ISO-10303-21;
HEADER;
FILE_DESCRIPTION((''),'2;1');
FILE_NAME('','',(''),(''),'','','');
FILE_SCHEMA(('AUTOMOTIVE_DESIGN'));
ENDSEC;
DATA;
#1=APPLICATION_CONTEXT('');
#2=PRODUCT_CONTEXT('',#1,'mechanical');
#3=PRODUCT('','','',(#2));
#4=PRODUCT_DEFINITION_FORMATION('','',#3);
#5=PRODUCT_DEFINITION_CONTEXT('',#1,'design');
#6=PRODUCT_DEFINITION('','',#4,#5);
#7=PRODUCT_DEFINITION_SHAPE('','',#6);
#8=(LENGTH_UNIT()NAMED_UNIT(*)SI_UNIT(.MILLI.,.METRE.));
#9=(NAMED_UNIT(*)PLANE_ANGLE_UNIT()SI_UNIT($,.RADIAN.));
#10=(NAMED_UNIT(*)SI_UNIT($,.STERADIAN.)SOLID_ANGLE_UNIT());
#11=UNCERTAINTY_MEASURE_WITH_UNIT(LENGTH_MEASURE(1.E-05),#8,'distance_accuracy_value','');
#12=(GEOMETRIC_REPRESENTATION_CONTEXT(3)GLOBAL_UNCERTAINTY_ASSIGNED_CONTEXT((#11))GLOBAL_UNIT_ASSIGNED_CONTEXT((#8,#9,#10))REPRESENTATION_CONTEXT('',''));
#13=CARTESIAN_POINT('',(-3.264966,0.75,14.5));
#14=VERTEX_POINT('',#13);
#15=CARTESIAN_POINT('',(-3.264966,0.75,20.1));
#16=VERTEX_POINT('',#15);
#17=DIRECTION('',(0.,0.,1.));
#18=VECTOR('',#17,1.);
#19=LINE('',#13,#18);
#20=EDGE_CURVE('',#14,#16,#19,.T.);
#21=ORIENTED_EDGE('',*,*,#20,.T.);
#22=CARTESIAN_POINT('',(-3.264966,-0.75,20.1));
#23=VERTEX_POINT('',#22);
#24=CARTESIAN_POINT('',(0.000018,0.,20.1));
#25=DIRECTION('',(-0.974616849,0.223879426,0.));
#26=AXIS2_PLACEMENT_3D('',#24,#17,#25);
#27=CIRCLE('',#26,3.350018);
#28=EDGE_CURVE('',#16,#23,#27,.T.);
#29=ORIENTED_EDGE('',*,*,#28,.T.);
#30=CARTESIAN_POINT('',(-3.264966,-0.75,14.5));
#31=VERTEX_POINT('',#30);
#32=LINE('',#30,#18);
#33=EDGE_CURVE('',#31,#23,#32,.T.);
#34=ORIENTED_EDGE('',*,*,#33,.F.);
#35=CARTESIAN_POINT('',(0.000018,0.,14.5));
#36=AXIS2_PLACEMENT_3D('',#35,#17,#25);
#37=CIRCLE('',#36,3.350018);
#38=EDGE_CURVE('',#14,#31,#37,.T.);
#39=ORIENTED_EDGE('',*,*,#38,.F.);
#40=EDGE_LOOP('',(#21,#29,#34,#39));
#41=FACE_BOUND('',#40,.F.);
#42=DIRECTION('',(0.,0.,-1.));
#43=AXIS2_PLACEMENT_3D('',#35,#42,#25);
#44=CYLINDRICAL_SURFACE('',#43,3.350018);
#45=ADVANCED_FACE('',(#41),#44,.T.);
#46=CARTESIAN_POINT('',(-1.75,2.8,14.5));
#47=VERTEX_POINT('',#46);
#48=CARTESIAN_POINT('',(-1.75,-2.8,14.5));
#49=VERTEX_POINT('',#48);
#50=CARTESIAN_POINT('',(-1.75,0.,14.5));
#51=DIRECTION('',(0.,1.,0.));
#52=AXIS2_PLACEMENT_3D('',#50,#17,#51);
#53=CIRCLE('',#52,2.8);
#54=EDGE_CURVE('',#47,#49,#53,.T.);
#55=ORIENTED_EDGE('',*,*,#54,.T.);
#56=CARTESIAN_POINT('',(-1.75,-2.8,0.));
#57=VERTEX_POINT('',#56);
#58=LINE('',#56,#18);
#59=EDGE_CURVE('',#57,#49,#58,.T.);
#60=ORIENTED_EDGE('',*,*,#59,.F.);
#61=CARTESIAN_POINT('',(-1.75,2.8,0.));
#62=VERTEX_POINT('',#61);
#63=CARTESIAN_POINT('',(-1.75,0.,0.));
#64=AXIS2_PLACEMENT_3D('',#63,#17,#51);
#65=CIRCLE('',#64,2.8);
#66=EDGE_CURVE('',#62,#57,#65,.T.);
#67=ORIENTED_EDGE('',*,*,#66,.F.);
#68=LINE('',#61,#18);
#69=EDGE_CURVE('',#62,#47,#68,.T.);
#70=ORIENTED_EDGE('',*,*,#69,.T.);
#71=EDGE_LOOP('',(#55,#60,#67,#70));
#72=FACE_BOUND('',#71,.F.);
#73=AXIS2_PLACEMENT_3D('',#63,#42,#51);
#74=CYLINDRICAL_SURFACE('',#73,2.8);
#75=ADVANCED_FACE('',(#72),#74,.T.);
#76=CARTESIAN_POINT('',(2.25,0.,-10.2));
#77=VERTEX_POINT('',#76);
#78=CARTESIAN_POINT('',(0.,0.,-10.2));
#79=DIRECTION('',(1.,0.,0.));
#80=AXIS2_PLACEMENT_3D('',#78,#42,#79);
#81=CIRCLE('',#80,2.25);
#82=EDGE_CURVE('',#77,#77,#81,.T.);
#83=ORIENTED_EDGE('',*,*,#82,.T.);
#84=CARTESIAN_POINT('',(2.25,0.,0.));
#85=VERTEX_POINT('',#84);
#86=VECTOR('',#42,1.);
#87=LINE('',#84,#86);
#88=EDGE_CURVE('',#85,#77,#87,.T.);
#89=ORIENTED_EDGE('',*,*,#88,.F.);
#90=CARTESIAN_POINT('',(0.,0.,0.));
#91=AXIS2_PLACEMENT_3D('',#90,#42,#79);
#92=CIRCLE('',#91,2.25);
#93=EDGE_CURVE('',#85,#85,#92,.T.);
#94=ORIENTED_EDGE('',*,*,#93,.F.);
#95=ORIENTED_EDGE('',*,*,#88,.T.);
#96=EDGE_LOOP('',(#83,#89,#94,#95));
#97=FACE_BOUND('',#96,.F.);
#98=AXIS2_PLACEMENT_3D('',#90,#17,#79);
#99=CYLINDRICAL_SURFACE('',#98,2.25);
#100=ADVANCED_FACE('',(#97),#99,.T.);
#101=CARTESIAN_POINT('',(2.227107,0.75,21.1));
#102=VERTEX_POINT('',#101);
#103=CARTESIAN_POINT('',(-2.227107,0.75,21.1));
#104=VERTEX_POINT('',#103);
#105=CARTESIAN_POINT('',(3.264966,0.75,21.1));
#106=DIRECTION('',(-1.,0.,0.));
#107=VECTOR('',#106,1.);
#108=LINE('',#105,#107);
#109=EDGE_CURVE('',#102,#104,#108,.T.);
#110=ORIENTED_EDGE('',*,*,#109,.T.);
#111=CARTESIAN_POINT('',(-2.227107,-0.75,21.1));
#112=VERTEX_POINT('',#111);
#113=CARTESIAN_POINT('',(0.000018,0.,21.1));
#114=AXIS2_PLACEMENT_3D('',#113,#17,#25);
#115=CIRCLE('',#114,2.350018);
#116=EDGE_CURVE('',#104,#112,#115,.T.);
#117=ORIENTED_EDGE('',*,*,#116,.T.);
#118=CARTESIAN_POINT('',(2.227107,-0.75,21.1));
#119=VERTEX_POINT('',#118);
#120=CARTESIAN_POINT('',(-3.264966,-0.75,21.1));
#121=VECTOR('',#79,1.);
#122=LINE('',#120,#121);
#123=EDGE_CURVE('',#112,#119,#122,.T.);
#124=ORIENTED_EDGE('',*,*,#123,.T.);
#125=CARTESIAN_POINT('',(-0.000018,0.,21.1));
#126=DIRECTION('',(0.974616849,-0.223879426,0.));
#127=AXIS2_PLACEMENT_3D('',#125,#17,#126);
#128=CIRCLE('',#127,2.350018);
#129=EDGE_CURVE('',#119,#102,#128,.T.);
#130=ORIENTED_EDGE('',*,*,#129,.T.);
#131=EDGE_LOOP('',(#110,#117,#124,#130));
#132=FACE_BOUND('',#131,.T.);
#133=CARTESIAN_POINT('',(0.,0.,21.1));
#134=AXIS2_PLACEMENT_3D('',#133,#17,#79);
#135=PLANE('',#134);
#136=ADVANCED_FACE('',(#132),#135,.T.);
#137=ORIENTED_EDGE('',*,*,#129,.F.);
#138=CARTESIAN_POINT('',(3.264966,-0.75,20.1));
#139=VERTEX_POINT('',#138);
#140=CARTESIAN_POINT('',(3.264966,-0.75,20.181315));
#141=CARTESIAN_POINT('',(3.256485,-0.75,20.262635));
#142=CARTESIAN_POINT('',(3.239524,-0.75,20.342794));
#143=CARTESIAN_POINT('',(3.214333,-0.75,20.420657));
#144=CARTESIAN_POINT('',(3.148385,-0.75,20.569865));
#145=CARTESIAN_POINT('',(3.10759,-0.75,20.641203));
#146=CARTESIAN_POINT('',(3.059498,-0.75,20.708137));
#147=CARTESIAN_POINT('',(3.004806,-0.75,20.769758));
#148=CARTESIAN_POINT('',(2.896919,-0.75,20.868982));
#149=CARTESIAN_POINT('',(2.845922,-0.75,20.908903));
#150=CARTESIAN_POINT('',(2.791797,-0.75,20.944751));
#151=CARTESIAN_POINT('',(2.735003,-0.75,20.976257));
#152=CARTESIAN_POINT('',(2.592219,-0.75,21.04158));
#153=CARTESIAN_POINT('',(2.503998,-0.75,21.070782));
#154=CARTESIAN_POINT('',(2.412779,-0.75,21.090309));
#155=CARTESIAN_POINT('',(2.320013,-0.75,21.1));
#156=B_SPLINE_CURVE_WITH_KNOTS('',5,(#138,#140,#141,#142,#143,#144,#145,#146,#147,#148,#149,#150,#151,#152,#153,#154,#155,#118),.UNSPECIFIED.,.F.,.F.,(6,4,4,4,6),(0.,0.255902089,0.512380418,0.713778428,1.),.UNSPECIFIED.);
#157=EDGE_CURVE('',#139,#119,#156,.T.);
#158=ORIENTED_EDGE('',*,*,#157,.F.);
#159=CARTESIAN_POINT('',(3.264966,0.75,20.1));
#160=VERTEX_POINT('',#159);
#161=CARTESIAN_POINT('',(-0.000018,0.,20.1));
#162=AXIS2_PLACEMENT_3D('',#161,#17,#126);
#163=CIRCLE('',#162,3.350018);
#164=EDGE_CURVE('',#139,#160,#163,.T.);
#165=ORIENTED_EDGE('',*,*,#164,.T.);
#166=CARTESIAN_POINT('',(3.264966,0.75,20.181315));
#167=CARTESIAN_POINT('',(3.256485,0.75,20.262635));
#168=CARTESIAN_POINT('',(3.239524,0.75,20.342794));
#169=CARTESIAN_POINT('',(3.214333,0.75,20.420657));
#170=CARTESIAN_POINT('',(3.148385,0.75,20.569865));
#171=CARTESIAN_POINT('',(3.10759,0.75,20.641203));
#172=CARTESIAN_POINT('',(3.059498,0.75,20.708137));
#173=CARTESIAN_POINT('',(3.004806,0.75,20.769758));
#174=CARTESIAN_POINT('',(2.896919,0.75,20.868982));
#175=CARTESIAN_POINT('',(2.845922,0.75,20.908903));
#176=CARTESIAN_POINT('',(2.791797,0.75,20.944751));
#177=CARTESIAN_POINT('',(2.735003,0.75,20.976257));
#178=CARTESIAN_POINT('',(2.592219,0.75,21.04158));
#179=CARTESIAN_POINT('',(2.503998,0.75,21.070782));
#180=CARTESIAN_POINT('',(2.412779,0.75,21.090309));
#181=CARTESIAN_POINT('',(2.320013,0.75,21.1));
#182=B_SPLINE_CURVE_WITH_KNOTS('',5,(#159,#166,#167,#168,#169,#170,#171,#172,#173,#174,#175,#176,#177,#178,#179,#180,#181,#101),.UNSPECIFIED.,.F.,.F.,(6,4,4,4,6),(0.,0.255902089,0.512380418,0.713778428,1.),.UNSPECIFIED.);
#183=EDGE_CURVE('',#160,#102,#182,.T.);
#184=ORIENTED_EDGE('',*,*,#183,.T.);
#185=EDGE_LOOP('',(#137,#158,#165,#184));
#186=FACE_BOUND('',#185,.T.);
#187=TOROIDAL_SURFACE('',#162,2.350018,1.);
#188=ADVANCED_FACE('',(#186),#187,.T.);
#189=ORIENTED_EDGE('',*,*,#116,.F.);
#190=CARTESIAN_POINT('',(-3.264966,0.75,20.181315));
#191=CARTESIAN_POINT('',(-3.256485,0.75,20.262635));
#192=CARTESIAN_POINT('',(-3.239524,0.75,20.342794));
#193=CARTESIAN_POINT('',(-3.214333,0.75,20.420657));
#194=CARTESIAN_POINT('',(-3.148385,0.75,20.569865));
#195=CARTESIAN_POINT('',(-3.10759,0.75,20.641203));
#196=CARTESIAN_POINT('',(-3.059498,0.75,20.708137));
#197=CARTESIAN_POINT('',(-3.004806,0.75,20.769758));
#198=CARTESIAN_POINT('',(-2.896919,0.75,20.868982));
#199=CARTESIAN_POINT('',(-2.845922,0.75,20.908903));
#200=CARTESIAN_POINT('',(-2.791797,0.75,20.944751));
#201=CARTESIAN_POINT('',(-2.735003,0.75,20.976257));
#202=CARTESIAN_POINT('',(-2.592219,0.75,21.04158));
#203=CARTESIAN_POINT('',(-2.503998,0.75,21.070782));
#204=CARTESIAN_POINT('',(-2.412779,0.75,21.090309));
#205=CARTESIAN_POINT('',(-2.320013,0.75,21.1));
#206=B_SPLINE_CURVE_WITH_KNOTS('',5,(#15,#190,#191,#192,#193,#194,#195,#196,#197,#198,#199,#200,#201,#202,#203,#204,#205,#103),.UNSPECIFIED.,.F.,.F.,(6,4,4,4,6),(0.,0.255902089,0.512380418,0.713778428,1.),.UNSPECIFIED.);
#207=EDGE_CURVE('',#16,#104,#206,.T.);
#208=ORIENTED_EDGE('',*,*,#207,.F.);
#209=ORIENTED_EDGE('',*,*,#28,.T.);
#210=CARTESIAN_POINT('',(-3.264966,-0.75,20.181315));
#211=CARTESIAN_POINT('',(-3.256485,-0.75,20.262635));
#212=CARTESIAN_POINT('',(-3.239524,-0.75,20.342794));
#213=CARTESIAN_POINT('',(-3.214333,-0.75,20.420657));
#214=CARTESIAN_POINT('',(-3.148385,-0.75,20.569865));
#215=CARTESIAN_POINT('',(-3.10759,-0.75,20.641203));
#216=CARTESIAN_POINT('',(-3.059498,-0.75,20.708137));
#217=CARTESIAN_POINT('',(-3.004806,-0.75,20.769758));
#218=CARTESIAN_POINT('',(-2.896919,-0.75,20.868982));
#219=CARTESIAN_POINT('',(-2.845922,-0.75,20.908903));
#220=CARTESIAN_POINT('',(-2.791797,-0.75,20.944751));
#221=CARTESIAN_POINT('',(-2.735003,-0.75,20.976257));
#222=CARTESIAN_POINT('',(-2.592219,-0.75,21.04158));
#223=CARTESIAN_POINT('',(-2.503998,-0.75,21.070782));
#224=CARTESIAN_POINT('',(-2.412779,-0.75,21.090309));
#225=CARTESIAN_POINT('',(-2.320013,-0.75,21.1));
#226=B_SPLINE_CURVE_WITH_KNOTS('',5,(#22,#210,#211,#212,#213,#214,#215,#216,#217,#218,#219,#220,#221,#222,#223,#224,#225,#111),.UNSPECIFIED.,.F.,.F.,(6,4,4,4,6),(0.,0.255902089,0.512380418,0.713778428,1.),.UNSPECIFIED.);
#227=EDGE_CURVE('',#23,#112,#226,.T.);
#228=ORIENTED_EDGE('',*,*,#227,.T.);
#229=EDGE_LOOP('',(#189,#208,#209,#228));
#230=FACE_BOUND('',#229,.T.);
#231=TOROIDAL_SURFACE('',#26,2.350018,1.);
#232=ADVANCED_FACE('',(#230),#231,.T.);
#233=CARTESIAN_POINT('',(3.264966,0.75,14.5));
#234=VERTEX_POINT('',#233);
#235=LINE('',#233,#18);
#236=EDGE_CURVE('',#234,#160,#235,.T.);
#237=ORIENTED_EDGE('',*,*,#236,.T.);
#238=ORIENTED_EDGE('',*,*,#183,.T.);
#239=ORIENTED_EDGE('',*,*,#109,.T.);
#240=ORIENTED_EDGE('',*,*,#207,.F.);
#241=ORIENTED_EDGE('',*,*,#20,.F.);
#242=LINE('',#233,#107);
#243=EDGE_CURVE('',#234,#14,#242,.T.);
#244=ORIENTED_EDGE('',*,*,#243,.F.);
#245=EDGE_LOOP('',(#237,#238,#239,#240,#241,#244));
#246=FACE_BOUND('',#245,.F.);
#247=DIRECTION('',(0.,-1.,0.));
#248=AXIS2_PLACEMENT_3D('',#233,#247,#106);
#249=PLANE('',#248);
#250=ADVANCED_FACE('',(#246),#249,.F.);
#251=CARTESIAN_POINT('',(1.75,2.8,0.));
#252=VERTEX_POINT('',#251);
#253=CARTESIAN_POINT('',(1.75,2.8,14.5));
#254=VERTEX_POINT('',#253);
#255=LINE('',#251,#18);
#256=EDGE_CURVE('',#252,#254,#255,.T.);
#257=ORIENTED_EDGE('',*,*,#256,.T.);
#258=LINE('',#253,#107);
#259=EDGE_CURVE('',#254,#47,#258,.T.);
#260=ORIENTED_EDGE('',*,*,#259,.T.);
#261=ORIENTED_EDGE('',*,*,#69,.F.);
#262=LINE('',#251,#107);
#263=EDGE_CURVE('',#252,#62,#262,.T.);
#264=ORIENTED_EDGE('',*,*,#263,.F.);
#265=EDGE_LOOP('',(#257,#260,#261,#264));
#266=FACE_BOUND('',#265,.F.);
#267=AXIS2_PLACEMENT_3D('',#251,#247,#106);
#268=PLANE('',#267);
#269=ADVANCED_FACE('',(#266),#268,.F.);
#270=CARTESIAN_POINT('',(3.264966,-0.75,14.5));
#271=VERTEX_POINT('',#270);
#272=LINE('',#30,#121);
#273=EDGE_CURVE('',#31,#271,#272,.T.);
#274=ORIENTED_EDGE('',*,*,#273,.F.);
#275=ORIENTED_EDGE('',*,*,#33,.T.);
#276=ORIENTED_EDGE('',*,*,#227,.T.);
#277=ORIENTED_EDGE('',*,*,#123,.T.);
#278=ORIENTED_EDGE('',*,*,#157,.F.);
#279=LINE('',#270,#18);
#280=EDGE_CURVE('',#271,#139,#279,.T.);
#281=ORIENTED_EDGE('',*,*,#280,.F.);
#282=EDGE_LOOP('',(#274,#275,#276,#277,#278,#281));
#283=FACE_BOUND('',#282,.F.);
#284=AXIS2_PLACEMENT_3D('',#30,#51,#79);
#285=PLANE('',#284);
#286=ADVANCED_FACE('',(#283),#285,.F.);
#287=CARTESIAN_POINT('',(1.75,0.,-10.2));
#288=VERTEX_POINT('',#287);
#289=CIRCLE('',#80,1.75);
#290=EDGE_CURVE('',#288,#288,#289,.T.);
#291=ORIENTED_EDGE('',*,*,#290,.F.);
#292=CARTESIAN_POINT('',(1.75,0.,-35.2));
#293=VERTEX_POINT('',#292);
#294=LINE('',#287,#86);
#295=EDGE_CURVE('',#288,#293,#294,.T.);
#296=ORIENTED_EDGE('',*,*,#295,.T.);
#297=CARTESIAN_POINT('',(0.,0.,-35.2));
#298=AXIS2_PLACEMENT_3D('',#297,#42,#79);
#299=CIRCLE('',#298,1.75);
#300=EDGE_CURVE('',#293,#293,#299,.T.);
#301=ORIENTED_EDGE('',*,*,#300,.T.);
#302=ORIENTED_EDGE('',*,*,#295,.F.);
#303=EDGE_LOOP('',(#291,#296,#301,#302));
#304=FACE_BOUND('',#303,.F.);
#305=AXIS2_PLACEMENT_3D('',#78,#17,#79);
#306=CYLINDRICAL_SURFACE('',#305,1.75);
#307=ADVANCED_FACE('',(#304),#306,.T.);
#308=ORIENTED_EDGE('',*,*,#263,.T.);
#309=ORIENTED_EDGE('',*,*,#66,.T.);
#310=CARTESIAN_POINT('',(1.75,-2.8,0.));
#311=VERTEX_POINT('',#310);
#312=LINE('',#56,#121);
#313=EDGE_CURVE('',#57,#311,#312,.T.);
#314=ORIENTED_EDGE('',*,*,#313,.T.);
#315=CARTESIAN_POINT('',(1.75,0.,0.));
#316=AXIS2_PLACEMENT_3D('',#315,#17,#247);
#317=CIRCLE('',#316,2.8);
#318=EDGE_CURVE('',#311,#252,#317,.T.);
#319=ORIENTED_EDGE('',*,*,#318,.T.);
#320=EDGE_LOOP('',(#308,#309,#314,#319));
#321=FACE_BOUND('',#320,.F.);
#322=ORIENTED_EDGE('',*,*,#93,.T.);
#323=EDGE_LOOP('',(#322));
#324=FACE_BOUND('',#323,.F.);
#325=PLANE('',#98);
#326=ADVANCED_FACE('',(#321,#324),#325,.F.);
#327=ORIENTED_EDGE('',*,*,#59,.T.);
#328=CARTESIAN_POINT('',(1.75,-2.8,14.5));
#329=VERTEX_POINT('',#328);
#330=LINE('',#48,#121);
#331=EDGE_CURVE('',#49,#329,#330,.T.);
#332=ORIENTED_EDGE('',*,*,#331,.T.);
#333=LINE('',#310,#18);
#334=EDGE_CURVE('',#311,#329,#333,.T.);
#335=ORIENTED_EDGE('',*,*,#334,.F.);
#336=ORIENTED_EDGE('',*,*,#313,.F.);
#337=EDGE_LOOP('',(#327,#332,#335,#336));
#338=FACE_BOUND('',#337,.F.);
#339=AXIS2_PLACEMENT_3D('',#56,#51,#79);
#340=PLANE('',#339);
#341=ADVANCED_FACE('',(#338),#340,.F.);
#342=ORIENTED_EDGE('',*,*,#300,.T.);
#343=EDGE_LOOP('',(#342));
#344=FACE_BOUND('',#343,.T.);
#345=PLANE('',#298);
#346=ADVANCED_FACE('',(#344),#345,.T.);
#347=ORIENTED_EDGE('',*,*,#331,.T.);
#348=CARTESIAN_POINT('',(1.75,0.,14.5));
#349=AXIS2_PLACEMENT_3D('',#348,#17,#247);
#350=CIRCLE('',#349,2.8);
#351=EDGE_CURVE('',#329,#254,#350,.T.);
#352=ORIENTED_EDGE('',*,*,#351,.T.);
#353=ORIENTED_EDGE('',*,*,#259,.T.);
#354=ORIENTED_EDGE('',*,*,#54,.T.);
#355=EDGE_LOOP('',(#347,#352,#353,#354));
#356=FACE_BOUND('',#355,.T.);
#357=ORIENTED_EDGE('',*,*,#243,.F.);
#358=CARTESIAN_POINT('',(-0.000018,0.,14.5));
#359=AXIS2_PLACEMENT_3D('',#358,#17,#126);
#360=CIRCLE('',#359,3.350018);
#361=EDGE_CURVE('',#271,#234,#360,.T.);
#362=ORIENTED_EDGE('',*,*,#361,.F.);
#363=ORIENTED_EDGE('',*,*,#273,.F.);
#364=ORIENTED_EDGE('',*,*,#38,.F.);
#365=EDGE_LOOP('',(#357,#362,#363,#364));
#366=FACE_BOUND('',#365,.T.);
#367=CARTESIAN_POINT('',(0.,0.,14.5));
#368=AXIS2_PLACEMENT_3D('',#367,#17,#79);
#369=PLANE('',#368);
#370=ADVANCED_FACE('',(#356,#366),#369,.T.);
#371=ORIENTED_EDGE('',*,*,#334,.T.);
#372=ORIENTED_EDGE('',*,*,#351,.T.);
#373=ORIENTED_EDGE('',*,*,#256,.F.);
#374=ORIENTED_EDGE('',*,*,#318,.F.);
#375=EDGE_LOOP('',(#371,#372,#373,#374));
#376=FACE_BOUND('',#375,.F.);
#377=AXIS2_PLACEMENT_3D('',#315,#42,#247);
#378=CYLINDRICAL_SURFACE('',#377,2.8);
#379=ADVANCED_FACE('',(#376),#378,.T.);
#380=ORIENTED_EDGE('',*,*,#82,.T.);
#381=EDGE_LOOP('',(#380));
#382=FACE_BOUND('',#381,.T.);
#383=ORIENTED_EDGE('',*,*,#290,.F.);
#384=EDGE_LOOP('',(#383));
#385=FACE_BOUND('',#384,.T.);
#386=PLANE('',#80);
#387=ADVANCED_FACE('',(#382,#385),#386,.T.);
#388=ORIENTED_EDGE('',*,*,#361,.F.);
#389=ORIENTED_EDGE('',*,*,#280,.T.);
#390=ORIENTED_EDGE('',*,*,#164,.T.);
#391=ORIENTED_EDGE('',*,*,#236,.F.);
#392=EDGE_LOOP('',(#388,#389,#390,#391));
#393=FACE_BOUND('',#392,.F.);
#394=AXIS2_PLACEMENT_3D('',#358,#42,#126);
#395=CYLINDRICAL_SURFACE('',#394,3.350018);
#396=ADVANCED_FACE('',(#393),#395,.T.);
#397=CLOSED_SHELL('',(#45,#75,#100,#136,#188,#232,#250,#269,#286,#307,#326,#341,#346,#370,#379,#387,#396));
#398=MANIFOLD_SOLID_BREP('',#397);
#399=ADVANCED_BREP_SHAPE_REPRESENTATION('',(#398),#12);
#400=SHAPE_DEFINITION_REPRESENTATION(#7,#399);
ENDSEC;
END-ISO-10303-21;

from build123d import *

# Parameters (mm, degrees)
F1_DEPTH = 14.5
F3_DEPTH = 6.6
F4_R     = 1
F5_R     = 2.25
F6_DEPTH = 10.2
F7_R     = 1.75
F8_DEPTH = 25


with BuildPart() as f1:
    # F0 (on Top) → F1 (new body)
    with BuildSketch(Plane.XY):
        with BuildLine():
            ThreePointArc((1.75, -2.8), (4.55, 0), (1.75, 2.8))
            Line((1.75, 2.8), (-1.75, 2.8))
            ThreePointArc((-1.75, 2.8), (-4.55, 0), (-1.75, -2.8))
            Line((-1.75, -2.8), (1.75, -2.8))
        make_face()
    extrude(amount=F1_DEPTH)

    # F2 (on face) → F3 (join)
    with BuildSketch(Plane.XY.offset(14.5)):
        with BuildLine():
            Line((3.264966, 0.75), (-3.264966, 0.75))
            ThreePointArc((-3.264966, 0.75), (-3.35, 0), (-3.264966, -0.75))
            Line((-3.264966, -0.75), (3.264966, -0.75))
            ThreePointArc((3.264966, -0.75), (3.35, 0), (3.264966, 0.75))
        make_face()
    extrude(amount=F3_DEPTH)

    # F4
    f4_edges = [f1.edges().sort_by_distance(p)[0] for p in [
        (-3.35, 0, 21.1),
        (3.35, 0, 21.1),
    ]]
    fillet(f4_edges, radius=F4_R)

    # F5 (on face) → F6 (join)
    with BuildSketch(Plane(origin=(0, 0, 0), x_dir=(1, 0, 0), z_dir=(0, 0, -1))):
        Circle(F5_R)
    extrude(amount=F6_DEPTH)

    # F7 (on face) → F8 (join)
    with BuildSketch(Plane(origin=(0, 0, -10.2), x_dir=(1, 0, 0), z_dir=(0, 0, -1))):
        Circle(F7_R)
    extrude(amount=F8_DEPTH)


solid = f1.part
